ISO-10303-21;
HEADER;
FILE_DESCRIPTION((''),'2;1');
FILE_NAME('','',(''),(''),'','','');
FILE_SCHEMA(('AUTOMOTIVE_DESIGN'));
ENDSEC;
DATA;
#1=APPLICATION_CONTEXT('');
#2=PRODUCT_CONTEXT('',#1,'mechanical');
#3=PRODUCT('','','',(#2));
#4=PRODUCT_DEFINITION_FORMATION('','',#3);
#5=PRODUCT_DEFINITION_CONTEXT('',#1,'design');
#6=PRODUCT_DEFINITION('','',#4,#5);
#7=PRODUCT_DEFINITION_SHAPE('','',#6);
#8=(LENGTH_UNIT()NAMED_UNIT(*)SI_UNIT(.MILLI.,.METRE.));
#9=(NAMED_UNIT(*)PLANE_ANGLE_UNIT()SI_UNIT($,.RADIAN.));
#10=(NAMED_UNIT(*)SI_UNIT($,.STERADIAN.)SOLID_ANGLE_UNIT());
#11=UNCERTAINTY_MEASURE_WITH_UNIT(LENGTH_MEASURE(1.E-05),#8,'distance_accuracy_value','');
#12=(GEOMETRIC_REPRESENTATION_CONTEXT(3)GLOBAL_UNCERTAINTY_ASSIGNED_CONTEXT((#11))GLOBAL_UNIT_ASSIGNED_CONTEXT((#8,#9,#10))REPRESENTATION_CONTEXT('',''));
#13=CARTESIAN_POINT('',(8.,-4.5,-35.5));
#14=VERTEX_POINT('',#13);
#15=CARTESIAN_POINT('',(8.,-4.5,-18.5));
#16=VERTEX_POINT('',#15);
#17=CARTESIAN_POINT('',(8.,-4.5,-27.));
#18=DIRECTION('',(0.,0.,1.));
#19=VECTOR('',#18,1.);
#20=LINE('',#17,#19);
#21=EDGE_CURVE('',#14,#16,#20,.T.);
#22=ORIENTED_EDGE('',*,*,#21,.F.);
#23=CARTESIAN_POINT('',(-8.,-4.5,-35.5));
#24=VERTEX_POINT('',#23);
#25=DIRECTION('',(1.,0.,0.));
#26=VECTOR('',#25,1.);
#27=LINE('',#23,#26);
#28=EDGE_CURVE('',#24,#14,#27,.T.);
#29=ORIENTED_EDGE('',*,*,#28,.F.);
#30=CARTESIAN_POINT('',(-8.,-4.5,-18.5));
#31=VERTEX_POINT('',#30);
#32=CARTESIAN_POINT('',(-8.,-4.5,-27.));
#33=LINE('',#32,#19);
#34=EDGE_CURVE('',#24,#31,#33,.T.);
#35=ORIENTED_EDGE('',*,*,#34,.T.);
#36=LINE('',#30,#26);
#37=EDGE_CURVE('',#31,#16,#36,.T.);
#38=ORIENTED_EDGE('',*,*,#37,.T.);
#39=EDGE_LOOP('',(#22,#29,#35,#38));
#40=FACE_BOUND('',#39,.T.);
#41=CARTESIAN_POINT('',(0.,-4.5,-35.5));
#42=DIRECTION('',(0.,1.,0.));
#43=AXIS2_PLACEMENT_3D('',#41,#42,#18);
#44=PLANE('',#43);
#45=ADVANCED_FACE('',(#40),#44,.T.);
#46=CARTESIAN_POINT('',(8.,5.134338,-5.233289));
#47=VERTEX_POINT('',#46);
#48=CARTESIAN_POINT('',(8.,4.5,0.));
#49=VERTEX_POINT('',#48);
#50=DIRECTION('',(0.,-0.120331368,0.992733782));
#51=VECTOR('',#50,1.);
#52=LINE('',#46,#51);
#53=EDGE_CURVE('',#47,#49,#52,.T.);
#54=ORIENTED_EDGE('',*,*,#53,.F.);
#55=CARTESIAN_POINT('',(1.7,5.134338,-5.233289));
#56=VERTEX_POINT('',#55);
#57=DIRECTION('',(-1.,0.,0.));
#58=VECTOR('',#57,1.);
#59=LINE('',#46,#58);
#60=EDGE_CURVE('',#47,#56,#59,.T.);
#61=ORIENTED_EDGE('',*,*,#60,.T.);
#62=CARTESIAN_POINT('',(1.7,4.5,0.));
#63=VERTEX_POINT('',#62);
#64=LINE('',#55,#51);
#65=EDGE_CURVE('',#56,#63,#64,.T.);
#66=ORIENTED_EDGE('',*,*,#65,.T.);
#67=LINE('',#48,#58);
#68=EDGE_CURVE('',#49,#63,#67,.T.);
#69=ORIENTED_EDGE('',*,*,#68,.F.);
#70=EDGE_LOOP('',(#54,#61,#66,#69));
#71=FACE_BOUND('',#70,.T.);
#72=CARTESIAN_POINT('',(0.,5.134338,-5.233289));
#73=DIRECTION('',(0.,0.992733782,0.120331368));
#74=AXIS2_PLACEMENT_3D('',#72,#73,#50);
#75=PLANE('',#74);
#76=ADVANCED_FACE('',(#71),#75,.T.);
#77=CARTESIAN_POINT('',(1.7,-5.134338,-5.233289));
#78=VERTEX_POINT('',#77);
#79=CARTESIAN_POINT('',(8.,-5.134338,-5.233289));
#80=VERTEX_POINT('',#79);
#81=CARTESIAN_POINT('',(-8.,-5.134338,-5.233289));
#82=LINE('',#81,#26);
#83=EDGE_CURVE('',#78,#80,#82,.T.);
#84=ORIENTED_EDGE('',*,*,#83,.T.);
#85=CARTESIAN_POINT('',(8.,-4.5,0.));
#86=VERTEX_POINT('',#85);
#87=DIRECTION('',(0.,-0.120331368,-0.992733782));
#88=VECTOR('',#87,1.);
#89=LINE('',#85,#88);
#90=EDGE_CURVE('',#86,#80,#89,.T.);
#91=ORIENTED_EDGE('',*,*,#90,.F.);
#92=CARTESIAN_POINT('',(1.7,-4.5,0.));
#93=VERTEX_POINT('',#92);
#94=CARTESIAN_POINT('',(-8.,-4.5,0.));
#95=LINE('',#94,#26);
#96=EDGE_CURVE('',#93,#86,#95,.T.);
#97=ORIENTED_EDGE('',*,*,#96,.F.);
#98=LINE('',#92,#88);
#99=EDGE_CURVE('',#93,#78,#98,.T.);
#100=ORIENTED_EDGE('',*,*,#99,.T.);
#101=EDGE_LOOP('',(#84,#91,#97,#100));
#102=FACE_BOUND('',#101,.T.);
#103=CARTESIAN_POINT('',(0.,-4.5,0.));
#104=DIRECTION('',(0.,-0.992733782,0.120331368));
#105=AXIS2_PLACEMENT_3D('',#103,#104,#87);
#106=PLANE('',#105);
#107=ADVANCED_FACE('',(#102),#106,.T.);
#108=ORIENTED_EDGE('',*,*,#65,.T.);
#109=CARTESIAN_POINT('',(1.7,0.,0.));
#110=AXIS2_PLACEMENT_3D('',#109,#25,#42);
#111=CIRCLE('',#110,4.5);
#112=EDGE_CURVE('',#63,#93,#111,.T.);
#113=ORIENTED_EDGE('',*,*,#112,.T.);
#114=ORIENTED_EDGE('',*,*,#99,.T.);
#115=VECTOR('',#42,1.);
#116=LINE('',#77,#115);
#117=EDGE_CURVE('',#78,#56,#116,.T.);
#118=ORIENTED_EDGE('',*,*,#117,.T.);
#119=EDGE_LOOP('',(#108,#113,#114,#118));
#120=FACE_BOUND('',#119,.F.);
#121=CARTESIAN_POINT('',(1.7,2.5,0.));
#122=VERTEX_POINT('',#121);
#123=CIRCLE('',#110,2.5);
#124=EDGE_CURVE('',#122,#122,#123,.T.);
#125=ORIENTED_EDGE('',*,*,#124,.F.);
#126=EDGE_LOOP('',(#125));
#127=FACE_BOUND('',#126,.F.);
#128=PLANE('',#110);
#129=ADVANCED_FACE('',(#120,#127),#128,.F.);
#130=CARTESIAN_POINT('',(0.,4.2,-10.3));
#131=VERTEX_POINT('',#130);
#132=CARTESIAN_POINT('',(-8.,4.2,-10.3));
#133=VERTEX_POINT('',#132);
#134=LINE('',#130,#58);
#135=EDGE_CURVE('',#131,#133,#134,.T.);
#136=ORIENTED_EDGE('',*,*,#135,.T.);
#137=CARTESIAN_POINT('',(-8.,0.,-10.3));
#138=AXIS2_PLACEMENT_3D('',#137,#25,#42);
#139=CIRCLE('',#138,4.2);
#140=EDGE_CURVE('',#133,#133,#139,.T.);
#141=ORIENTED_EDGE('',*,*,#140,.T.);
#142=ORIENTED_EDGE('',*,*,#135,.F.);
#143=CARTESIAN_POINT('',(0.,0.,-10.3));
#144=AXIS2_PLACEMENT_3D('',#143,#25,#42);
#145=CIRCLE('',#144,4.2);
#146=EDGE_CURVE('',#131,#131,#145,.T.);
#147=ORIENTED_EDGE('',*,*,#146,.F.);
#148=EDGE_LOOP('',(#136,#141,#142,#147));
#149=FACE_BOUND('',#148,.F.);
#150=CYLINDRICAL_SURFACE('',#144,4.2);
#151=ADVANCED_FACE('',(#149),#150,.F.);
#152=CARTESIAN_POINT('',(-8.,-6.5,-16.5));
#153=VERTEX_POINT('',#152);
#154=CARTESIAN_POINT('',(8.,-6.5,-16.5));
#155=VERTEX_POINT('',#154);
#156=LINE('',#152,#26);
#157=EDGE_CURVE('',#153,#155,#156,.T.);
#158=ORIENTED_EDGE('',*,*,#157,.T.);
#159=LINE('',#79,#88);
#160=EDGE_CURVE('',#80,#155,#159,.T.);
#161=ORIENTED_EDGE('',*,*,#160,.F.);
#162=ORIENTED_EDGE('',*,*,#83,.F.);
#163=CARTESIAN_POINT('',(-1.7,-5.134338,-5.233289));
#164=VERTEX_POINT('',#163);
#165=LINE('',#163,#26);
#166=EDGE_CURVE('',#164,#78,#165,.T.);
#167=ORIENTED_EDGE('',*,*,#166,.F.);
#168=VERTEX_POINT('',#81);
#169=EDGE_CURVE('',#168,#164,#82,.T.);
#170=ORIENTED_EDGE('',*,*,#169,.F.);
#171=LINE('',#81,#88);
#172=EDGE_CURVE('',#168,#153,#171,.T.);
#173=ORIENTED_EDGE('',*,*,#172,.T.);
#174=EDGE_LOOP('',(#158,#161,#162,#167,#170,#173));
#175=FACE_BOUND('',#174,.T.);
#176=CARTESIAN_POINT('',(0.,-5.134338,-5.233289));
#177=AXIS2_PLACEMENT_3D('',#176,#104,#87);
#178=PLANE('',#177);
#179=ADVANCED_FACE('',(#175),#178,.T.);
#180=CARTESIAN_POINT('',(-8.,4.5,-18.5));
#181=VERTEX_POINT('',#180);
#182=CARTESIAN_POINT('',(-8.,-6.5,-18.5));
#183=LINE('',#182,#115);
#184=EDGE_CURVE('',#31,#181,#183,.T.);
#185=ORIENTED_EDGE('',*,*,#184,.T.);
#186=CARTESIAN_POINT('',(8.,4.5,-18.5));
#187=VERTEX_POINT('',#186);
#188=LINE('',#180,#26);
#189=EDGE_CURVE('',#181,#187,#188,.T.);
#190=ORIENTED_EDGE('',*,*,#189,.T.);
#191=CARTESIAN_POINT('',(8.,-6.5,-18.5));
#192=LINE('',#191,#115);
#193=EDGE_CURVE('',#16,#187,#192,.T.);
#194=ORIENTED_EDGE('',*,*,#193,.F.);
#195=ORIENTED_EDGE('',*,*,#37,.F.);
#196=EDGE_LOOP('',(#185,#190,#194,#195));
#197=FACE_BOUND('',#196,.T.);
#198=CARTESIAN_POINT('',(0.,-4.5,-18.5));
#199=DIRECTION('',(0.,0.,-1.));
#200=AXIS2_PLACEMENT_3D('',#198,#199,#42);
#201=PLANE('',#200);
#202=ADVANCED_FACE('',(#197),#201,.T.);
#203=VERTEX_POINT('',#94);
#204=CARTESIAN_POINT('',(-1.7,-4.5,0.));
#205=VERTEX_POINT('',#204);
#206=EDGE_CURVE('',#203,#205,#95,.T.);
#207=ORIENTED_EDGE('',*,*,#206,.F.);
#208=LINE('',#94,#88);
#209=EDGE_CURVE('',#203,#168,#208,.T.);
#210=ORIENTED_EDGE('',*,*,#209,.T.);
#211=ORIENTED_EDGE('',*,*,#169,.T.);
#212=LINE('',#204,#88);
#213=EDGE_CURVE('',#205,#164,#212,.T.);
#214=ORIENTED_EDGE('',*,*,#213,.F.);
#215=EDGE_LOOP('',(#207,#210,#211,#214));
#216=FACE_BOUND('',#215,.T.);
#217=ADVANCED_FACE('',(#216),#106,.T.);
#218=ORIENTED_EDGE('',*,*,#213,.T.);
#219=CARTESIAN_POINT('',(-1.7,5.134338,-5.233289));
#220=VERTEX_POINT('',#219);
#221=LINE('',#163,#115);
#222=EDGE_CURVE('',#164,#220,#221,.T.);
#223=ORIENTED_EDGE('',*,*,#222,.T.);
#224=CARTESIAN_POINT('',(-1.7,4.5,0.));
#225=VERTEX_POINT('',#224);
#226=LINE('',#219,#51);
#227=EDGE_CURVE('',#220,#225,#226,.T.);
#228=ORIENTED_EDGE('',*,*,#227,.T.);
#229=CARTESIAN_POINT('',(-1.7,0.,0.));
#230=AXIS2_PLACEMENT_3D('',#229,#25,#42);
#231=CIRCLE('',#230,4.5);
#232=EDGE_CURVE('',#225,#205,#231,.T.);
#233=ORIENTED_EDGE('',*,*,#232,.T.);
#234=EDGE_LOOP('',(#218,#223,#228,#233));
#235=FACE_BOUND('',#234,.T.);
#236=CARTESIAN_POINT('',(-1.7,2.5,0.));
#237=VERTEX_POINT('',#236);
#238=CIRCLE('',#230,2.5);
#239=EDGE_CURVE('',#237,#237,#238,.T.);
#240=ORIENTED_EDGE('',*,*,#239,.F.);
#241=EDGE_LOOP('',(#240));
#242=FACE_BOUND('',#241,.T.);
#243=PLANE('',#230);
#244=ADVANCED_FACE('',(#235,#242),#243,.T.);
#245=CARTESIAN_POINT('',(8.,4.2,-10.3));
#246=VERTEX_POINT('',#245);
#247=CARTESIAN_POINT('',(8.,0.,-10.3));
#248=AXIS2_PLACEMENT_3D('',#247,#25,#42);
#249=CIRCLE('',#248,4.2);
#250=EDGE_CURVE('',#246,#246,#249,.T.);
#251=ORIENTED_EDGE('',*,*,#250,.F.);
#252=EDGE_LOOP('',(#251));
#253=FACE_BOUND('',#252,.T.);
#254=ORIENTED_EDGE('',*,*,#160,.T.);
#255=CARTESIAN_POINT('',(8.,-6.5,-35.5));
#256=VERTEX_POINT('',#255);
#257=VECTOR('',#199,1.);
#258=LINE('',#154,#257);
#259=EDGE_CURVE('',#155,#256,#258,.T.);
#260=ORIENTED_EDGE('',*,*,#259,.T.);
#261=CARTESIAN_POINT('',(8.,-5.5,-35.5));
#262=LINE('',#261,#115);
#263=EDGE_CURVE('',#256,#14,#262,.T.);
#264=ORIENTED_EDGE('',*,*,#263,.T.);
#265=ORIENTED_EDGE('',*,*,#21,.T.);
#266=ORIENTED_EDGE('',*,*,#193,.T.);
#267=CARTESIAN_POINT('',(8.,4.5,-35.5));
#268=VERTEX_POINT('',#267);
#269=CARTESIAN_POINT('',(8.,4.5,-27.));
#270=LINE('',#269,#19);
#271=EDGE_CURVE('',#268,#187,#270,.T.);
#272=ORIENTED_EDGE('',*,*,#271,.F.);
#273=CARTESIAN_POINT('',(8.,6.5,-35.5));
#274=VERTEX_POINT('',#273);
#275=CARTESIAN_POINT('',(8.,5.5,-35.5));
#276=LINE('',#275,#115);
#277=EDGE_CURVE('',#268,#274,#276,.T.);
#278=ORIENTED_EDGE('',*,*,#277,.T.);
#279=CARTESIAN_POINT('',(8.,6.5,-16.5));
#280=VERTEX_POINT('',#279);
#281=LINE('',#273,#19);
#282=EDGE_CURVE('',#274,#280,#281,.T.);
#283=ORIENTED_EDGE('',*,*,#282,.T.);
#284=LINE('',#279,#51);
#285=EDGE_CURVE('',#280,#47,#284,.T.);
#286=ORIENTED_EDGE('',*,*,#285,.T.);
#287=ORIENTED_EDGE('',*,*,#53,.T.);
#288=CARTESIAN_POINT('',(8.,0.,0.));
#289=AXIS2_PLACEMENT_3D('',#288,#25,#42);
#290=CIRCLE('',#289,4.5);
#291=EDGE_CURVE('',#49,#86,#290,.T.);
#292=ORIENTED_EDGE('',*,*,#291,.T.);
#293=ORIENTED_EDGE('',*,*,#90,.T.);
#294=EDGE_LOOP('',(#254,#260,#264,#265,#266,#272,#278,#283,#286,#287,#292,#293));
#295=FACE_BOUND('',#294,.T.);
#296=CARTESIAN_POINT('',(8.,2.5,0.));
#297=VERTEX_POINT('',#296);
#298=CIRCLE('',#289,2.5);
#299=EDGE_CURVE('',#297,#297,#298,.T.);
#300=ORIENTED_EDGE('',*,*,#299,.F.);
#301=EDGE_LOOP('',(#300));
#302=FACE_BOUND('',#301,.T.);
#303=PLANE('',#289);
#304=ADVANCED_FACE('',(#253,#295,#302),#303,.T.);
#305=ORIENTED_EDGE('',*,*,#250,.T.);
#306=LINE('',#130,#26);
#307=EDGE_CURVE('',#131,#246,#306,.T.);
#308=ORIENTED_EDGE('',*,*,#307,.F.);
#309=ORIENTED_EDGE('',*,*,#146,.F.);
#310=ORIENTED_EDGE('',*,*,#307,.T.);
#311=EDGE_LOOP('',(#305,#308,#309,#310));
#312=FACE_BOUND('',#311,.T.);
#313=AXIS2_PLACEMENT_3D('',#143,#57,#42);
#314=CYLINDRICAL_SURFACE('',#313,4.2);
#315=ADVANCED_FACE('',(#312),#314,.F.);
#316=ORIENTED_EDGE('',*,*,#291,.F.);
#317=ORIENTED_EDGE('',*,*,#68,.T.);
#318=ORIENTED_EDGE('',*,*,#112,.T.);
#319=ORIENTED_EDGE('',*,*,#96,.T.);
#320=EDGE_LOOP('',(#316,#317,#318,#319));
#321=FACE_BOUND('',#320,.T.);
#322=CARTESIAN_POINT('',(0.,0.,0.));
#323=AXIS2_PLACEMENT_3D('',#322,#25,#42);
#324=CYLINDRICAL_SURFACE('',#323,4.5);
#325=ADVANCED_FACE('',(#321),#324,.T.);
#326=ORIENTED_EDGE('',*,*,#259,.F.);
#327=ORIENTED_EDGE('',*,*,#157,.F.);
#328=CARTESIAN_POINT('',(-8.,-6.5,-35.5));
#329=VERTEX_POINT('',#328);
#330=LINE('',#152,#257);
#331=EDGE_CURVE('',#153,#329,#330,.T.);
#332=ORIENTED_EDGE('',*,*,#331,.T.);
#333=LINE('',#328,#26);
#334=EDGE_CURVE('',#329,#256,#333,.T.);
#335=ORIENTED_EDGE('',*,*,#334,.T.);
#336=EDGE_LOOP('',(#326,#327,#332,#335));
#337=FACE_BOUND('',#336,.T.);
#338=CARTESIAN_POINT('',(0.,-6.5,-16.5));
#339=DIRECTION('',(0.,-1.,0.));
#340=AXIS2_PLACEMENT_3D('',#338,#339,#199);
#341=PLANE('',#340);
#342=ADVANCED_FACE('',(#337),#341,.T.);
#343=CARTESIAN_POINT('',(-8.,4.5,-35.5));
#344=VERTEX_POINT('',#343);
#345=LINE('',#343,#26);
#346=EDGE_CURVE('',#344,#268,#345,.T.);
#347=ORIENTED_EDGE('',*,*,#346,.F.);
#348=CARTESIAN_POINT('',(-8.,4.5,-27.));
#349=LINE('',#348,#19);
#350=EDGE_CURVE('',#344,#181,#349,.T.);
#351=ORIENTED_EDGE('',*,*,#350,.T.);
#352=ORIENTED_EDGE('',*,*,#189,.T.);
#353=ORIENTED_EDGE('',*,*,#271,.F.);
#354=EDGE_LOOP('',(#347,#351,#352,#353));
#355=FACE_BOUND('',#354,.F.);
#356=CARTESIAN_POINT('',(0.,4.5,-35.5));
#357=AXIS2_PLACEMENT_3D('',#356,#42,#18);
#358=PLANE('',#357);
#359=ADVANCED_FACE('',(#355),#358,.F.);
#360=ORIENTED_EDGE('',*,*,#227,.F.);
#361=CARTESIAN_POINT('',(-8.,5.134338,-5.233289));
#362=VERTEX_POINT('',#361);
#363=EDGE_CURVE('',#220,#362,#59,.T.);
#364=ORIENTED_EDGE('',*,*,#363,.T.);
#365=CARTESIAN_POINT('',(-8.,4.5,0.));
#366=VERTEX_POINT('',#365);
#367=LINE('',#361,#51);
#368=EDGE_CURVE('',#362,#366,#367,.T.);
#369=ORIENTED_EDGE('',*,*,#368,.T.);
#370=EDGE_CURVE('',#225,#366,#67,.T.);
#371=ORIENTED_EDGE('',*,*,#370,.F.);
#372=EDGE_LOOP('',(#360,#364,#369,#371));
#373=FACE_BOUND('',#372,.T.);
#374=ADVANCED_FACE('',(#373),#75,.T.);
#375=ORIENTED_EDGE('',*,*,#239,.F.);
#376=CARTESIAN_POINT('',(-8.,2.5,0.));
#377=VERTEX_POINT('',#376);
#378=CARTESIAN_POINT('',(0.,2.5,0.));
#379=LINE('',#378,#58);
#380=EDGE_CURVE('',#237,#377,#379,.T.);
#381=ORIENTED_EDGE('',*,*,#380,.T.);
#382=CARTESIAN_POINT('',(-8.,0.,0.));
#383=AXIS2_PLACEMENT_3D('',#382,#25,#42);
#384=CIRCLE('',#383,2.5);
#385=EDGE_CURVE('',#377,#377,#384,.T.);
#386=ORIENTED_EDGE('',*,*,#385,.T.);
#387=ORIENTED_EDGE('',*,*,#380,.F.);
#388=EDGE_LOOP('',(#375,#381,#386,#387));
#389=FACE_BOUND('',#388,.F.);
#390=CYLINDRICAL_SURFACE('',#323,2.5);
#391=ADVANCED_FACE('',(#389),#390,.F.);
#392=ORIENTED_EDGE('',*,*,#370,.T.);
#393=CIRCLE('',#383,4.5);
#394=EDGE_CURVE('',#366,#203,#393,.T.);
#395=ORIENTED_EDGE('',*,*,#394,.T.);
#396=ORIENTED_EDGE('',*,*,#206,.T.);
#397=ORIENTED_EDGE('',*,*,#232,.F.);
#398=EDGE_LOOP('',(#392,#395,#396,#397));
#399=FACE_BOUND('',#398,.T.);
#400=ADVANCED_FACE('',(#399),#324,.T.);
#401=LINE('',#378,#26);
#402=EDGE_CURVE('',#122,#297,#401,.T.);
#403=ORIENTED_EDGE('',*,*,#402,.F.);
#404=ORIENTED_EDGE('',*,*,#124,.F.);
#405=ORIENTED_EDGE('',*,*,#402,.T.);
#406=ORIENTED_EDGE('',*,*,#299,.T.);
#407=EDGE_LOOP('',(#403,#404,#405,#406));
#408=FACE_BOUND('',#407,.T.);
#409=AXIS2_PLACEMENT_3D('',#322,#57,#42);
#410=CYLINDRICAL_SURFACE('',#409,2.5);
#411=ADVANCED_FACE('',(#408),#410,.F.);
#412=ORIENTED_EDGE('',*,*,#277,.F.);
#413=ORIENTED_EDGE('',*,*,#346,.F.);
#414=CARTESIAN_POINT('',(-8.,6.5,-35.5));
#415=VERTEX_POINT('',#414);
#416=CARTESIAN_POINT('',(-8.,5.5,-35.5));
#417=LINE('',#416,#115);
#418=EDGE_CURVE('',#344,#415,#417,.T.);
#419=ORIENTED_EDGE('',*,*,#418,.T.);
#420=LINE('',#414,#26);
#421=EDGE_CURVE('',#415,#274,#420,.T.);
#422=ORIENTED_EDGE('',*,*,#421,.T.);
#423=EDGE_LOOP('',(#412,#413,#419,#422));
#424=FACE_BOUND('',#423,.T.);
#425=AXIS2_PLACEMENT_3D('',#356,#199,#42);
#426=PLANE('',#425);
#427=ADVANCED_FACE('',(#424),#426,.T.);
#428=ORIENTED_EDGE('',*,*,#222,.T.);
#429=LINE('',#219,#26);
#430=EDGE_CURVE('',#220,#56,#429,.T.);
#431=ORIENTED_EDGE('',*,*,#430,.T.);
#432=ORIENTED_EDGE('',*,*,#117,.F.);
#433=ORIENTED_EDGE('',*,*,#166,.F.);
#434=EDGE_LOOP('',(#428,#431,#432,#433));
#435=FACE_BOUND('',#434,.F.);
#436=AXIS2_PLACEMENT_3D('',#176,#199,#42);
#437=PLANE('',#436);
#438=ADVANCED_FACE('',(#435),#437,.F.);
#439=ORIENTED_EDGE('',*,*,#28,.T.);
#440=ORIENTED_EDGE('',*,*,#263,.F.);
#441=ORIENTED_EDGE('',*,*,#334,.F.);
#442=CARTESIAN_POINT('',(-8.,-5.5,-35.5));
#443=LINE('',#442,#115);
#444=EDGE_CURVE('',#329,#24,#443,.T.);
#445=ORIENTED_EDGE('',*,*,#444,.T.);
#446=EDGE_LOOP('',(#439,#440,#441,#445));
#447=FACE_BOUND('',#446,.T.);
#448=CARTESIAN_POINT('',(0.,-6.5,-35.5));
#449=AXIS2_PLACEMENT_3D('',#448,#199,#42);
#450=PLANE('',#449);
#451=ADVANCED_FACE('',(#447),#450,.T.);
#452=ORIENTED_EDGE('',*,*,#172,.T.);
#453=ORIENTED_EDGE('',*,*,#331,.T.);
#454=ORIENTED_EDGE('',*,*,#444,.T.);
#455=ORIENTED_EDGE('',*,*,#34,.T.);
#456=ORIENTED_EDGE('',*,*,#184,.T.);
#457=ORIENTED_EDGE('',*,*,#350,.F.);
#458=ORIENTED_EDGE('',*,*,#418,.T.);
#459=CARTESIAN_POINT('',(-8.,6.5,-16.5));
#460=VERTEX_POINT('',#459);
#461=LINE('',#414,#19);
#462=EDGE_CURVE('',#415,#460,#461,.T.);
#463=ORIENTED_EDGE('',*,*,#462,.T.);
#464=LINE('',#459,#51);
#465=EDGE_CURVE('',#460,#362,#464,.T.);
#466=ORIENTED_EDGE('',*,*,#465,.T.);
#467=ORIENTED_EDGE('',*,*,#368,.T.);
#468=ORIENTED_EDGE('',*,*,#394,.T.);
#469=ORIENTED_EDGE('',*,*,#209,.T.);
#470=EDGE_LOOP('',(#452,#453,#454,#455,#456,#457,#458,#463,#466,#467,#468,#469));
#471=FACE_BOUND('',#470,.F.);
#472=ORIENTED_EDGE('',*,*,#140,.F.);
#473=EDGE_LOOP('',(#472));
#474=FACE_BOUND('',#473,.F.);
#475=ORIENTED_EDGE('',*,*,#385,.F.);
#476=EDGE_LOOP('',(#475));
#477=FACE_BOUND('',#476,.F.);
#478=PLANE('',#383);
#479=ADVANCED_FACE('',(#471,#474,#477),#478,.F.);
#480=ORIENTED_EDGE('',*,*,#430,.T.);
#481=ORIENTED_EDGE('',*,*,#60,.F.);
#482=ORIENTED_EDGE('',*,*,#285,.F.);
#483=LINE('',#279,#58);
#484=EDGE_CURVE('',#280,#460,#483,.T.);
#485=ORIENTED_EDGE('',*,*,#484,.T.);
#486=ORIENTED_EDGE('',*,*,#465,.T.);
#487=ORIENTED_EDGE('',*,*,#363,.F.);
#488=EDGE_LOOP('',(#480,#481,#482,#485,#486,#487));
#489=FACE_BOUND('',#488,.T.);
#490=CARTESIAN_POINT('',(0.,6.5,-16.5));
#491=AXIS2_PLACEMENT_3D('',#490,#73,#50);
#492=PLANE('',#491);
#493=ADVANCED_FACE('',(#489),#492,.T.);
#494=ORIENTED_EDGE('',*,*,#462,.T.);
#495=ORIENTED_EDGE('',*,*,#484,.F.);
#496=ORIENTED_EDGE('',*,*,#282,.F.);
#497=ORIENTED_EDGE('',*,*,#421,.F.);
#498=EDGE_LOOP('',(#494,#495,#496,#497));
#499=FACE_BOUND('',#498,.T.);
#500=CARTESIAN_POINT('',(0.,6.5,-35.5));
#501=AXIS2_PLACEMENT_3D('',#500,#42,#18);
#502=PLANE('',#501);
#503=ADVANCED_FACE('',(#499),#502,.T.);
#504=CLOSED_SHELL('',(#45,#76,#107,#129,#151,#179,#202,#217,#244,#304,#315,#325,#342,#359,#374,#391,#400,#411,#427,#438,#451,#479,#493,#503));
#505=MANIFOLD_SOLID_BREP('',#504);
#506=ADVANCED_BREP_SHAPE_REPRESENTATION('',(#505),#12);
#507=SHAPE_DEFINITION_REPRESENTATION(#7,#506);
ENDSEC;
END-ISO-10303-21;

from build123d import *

# Parameters (mm, degrees)
F0_R          = 2.5
F0_R_2        = 4.2
F0_W          = 2
F0_H          = 17
F1_DEPTH      = 8
F1_DEPTH_BACK = 8
F2_DEPTH      = 1.7
F2_DEPTH_BACK = 1.7


with BuildPart() as f1:
    # F0 (on Right) → F1 (new body, two sides)
    with BuildSketch(Plane.YZ) as f1_sk:
        with BuildLine():
            ThreePointArc((-4.5, 0), (0, -4.5), (4.5, 0))
            ThreePointArc((4.5, 0), (0, 4.5), (-4.5, 0))
        make_face()
        Circle(F0_R, mode=Mode.SUBTRACT)
        with BuildLine():
            Line((5.1343380294, -5.2332887426), (4.5, 0))
            ThreePointArc((4.5, 0), (0, -4.5), (-4.5, 0))
            Line((-4.5, 0), (-5.1343380294, -5.2332887426))
            Line((-5.1343380294, -5.2332887426), (0, -5.2332887426))
            Line((0, -5.2332887426), (5.1343380294, -5.2332887426))
        make_face()
        Polygon((6.5, -16.5), (5.1343380294, -5.2332887426), (0, -5.2332887426), (-5.1343380294, -5.2332887426), (-6.5, -16.5), align=None)
        with Locations((0, -10.3)):
            Circle(F0_R_2, mode=Mode.SUBTRACT)
        Polygon((6.5, -18.5), (6.5, -16.5), (-6.5, -16.5), (-6.5, -18.5), (-4.5, -18.5), (4.5, -18.5), align=None)
        with Locations((5.5, -27)):
            Rectangle(F0_W, F0_H)
        with Locations((-5.5, -27)):
            Rectangle(F0_W, F0_H)
    extrude(amount=F1_DEPTH)
    extrude(f1_sk.sketch, amount=-F1_DEPTH_BACK)

    # F0 (on Right) → F2 (cut, two sides)
    with BuildSketch(Plane.YZ) as f2_sk:
        with BuildLine():
            ThreePointArc((-4.5, 0), (0, -4.5), (4.5, 0))
            ThreePointArc((4.5, 0), (0, 4.5), (-4.5, 0))
        make_face()
        Circle(F0_R, mode=Mode.SUBTRACT)
        with BuildLine():
            Line((5.1343380294, -5.2332887426), (4.5, 0))
            ThreePointArc((4.5, 0), (0, -4.5), (-4.5, 0))
            Line((-4.5, 0), (-5.1343380294, -5.2332887426))
            Line((-5.1343380294, -5.2332887426), (0, -5.2332887426))
            Line((0, -5.2332887426), (5.1343380294, -5.2332887426))
        make_face()
    extrude(amount=-F2_DEPTH, mode=Mode.SUBTRACT)
    extrude(f2_sk.sketch, amount=F2_DEPTH_BACK, mode=Mode.SUBTRACT)


solid = f1.part
